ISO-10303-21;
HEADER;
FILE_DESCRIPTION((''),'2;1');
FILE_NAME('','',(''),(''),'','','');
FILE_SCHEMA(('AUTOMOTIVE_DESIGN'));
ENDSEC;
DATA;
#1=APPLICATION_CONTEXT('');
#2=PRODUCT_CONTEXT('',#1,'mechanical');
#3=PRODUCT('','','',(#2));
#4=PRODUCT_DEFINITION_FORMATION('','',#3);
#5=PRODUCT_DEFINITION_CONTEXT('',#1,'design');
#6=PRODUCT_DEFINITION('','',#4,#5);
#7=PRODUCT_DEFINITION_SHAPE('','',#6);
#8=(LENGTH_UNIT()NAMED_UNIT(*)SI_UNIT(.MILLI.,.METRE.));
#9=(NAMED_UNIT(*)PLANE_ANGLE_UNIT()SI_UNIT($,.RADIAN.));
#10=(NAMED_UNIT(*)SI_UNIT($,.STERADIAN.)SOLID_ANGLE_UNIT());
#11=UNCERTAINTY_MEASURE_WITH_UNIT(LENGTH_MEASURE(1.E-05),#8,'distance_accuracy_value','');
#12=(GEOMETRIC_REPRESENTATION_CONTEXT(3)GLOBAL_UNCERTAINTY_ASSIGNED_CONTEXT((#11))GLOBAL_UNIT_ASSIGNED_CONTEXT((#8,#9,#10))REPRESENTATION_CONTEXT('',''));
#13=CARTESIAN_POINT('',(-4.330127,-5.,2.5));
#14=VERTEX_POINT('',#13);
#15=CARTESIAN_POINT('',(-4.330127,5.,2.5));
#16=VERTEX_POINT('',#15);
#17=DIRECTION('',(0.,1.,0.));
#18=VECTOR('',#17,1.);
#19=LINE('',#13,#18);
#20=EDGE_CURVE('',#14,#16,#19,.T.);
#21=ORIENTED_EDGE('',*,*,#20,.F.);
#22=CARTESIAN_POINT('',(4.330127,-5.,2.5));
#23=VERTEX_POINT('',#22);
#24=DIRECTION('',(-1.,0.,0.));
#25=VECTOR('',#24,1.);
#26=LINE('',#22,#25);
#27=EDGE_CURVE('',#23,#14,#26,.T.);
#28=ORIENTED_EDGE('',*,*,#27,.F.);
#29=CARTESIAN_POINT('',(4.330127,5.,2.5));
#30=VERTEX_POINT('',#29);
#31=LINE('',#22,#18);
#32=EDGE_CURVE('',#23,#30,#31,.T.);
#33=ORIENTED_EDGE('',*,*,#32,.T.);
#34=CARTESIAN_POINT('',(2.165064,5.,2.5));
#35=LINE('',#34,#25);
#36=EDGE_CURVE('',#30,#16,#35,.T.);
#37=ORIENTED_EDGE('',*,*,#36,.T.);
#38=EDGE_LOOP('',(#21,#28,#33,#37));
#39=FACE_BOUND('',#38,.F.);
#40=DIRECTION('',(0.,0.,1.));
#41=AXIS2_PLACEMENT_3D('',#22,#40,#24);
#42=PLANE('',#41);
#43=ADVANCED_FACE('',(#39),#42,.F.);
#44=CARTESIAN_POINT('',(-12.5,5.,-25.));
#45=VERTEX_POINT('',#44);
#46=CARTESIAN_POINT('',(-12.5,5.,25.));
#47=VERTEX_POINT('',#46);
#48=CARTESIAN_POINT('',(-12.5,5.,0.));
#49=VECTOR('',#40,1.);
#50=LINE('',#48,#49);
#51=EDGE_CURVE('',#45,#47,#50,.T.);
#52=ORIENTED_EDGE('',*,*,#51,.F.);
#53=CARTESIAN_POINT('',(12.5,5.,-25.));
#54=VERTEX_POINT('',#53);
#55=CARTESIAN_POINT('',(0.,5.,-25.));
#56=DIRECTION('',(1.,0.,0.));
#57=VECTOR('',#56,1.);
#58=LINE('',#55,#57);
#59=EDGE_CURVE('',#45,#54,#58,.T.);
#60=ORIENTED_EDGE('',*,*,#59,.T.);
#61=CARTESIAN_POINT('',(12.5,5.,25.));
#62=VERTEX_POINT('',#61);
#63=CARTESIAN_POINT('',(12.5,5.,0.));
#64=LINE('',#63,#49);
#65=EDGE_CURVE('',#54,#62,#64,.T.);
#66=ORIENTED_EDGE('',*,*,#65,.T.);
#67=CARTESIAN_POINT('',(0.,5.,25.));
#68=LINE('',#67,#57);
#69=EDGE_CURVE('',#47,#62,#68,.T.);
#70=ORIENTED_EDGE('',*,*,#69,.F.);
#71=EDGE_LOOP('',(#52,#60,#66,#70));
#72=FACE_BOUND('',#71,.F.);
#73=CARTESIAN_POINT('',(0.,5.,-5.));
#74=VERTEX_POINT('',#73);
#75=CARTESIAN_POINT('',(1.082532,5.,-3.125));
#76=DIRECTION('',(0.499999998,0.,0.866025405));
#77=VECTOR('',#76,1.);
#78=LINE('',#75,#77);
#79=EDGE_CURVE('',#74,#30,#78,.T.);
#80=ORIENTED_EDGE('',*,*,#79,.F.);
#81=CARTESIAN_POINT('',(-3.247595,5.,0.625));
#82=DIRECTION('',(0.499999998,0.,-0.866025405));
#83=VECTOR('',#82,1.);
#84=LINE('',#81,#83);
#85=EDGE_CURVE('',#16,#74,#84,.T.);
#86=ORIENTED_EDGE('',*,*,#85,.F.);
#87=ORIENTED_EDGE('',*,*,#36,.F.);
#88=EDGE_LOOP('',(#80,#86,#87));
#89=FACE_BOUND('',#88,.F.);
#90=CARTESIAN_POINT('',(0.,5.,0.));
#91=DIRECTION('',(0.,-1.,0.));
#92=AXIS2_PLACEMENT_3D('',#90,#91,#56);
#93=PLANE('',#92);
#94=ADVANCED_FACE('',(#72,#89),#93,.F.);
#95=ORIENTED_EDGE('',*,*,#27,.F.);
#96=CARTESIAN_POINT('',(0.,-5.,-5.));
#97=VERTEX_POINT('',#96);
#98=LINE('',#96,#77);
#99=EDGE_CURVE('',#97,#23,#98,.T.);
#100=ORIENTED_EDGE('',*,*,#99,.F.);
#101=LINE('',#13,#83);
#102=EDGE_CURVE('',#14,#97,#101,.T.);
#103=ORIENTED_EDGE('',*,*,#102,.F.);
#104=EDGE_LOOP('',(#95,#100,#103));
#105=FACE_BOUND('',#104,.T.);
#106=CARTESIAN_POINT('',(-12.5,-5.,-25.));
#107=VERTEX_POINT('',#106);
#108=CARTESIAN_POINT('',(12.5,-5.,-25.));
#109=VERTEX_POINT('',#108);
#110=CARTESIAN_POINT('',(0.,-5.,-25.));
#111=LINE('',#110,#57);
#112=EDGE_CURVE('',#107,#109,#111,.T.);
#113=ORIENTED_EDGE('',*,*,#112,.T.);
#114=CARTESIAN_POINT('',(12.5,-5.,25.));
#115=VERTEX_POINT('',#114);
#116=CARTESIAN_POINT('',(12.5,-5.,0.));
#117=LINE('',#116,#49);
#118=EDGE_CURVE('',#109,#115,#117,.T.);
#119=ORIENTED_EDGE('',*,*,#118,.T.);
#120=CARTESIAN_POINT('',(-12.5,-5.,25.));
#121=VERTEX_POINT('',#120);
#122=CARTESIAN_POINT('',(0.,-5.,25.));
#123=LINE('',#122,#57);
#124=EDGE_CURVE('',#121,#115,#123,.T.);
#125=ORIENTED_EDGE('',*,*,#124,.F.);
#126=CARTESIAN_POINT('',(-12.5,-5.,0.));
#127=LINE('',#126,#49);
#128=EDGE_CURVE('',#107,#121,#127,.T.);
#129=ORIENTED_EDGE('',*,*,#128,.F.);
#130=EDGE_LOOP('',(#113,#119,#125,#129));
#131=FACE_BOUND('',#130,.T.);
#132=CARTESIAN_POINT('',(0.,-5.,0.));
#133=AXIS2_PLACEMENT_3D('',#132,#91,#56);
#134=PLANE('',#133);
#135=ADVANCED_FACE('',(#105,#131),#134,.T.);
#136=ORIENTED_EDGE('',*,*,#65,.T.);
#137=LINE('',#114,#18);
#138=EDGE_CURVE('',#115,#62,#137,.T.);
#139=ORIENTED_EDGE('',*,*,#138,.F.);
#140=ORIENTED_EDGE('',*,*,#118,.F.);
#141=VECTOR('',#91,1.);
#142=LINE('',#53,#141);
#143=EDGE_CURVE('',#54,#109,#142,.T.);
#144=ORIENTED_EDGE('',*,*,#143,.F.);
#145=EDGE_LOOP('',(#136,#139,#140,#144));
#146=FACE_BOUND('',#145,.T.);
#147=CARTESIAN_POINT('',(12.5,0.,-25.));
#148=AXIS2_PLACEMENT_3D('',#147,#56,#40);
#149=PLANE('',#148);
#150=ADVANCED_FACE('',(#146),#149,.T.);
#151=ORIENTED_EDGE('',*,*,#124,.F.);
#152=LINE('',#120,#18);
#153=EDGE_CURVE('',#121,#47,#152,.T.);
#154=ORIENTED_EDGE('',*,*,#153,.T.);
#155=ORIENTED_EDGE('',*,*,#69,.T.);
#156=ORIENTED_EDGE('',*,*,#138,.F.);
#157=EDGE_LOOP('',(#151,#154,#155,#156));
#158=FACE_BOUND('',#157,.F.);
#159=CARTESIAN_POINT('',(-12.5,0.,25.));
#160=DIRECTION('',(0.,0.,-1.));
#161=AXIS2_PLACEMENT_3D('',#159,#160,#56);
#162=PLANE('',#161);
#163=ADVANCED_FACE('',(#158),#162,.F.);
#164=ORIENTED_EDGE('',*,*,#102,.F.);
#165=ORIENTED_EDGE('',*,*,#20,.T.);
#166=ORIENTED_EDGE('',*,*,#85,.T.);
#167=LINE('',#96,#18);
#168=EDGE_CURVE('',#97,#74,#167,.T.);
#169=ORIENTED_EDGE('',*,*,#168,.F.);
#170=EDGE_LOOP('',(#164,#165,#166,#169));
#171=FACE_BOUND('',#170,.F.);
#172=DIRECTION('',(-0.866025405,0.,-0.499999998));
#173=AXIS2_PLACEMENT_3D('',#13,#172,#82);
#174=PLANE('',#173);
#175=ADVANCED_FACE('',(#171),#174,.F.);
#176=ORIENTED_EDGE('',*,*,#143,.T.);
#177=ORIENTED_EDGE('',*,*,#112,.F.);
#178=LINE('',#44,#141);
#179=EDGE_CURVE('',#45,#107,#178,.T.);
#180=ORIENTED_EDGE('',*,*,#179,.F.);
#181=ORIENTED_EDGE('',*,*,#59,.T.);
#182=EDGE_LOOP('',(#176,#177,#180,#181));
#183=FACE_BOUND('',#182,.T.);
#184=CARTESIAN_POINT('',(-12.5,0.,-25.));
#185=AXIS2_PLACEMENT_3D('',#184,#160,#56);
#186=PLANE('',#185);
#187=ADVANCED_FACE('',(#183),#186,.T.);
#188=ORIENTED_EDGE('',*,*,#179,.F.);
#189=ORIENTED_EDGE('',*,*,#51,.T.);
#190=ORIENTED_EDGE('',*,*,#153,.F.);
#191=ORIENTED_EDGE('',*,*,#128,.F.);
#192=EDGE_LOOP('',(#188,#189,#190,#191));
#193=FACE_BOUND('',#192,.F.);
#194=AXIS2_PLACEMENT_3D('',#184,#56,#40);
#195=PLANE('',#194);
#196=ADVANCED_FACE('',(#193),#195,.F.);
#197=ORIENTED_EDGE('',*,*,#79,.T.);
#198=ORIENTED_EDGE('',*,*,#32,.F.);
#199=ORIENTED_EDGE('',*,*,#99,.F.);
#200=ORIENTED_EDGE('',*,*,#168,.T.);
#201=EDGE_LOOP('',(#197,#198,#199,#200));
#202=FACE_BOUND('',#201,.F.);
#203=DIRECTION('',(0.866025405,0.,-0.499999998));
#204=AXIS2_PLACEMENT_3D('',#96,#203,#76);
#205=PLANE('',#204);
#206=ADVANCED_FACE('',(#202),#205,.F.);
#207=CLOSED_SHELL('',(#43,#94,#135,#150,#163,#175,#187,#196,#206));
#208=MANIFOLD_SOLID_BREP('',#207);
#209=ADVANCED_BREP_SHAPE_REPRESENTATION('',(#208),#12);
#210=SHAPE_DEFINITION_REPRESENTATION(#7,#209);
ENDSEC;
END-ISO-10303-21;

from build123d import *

# Parameters (mm, degrees)
F0_W     = 25
F0_H     = 50
F1_DEPTH = 5
F3_DEPTH = 10.001


with BuildPart() as f1:
    # F0 (on Front) → F1 (new body, symmetric)
    with BuildSketch(Plane.XZ):
        Rectangle(F0_W, F0_H)
    extrude(amount=F1_DEPTH, both=True)

    # F2 (on face) → F3 (cut, through all)
    with BuildSketch(Plane.XZ.offset(5)):
        Polygon((4.330127, 2.5), (-4.330127, 2.5), (0, -5), align=None)
    extrude(amount=-F3_DEPTH, mode=Mode.SUBTRACT)


solid = f1.part
